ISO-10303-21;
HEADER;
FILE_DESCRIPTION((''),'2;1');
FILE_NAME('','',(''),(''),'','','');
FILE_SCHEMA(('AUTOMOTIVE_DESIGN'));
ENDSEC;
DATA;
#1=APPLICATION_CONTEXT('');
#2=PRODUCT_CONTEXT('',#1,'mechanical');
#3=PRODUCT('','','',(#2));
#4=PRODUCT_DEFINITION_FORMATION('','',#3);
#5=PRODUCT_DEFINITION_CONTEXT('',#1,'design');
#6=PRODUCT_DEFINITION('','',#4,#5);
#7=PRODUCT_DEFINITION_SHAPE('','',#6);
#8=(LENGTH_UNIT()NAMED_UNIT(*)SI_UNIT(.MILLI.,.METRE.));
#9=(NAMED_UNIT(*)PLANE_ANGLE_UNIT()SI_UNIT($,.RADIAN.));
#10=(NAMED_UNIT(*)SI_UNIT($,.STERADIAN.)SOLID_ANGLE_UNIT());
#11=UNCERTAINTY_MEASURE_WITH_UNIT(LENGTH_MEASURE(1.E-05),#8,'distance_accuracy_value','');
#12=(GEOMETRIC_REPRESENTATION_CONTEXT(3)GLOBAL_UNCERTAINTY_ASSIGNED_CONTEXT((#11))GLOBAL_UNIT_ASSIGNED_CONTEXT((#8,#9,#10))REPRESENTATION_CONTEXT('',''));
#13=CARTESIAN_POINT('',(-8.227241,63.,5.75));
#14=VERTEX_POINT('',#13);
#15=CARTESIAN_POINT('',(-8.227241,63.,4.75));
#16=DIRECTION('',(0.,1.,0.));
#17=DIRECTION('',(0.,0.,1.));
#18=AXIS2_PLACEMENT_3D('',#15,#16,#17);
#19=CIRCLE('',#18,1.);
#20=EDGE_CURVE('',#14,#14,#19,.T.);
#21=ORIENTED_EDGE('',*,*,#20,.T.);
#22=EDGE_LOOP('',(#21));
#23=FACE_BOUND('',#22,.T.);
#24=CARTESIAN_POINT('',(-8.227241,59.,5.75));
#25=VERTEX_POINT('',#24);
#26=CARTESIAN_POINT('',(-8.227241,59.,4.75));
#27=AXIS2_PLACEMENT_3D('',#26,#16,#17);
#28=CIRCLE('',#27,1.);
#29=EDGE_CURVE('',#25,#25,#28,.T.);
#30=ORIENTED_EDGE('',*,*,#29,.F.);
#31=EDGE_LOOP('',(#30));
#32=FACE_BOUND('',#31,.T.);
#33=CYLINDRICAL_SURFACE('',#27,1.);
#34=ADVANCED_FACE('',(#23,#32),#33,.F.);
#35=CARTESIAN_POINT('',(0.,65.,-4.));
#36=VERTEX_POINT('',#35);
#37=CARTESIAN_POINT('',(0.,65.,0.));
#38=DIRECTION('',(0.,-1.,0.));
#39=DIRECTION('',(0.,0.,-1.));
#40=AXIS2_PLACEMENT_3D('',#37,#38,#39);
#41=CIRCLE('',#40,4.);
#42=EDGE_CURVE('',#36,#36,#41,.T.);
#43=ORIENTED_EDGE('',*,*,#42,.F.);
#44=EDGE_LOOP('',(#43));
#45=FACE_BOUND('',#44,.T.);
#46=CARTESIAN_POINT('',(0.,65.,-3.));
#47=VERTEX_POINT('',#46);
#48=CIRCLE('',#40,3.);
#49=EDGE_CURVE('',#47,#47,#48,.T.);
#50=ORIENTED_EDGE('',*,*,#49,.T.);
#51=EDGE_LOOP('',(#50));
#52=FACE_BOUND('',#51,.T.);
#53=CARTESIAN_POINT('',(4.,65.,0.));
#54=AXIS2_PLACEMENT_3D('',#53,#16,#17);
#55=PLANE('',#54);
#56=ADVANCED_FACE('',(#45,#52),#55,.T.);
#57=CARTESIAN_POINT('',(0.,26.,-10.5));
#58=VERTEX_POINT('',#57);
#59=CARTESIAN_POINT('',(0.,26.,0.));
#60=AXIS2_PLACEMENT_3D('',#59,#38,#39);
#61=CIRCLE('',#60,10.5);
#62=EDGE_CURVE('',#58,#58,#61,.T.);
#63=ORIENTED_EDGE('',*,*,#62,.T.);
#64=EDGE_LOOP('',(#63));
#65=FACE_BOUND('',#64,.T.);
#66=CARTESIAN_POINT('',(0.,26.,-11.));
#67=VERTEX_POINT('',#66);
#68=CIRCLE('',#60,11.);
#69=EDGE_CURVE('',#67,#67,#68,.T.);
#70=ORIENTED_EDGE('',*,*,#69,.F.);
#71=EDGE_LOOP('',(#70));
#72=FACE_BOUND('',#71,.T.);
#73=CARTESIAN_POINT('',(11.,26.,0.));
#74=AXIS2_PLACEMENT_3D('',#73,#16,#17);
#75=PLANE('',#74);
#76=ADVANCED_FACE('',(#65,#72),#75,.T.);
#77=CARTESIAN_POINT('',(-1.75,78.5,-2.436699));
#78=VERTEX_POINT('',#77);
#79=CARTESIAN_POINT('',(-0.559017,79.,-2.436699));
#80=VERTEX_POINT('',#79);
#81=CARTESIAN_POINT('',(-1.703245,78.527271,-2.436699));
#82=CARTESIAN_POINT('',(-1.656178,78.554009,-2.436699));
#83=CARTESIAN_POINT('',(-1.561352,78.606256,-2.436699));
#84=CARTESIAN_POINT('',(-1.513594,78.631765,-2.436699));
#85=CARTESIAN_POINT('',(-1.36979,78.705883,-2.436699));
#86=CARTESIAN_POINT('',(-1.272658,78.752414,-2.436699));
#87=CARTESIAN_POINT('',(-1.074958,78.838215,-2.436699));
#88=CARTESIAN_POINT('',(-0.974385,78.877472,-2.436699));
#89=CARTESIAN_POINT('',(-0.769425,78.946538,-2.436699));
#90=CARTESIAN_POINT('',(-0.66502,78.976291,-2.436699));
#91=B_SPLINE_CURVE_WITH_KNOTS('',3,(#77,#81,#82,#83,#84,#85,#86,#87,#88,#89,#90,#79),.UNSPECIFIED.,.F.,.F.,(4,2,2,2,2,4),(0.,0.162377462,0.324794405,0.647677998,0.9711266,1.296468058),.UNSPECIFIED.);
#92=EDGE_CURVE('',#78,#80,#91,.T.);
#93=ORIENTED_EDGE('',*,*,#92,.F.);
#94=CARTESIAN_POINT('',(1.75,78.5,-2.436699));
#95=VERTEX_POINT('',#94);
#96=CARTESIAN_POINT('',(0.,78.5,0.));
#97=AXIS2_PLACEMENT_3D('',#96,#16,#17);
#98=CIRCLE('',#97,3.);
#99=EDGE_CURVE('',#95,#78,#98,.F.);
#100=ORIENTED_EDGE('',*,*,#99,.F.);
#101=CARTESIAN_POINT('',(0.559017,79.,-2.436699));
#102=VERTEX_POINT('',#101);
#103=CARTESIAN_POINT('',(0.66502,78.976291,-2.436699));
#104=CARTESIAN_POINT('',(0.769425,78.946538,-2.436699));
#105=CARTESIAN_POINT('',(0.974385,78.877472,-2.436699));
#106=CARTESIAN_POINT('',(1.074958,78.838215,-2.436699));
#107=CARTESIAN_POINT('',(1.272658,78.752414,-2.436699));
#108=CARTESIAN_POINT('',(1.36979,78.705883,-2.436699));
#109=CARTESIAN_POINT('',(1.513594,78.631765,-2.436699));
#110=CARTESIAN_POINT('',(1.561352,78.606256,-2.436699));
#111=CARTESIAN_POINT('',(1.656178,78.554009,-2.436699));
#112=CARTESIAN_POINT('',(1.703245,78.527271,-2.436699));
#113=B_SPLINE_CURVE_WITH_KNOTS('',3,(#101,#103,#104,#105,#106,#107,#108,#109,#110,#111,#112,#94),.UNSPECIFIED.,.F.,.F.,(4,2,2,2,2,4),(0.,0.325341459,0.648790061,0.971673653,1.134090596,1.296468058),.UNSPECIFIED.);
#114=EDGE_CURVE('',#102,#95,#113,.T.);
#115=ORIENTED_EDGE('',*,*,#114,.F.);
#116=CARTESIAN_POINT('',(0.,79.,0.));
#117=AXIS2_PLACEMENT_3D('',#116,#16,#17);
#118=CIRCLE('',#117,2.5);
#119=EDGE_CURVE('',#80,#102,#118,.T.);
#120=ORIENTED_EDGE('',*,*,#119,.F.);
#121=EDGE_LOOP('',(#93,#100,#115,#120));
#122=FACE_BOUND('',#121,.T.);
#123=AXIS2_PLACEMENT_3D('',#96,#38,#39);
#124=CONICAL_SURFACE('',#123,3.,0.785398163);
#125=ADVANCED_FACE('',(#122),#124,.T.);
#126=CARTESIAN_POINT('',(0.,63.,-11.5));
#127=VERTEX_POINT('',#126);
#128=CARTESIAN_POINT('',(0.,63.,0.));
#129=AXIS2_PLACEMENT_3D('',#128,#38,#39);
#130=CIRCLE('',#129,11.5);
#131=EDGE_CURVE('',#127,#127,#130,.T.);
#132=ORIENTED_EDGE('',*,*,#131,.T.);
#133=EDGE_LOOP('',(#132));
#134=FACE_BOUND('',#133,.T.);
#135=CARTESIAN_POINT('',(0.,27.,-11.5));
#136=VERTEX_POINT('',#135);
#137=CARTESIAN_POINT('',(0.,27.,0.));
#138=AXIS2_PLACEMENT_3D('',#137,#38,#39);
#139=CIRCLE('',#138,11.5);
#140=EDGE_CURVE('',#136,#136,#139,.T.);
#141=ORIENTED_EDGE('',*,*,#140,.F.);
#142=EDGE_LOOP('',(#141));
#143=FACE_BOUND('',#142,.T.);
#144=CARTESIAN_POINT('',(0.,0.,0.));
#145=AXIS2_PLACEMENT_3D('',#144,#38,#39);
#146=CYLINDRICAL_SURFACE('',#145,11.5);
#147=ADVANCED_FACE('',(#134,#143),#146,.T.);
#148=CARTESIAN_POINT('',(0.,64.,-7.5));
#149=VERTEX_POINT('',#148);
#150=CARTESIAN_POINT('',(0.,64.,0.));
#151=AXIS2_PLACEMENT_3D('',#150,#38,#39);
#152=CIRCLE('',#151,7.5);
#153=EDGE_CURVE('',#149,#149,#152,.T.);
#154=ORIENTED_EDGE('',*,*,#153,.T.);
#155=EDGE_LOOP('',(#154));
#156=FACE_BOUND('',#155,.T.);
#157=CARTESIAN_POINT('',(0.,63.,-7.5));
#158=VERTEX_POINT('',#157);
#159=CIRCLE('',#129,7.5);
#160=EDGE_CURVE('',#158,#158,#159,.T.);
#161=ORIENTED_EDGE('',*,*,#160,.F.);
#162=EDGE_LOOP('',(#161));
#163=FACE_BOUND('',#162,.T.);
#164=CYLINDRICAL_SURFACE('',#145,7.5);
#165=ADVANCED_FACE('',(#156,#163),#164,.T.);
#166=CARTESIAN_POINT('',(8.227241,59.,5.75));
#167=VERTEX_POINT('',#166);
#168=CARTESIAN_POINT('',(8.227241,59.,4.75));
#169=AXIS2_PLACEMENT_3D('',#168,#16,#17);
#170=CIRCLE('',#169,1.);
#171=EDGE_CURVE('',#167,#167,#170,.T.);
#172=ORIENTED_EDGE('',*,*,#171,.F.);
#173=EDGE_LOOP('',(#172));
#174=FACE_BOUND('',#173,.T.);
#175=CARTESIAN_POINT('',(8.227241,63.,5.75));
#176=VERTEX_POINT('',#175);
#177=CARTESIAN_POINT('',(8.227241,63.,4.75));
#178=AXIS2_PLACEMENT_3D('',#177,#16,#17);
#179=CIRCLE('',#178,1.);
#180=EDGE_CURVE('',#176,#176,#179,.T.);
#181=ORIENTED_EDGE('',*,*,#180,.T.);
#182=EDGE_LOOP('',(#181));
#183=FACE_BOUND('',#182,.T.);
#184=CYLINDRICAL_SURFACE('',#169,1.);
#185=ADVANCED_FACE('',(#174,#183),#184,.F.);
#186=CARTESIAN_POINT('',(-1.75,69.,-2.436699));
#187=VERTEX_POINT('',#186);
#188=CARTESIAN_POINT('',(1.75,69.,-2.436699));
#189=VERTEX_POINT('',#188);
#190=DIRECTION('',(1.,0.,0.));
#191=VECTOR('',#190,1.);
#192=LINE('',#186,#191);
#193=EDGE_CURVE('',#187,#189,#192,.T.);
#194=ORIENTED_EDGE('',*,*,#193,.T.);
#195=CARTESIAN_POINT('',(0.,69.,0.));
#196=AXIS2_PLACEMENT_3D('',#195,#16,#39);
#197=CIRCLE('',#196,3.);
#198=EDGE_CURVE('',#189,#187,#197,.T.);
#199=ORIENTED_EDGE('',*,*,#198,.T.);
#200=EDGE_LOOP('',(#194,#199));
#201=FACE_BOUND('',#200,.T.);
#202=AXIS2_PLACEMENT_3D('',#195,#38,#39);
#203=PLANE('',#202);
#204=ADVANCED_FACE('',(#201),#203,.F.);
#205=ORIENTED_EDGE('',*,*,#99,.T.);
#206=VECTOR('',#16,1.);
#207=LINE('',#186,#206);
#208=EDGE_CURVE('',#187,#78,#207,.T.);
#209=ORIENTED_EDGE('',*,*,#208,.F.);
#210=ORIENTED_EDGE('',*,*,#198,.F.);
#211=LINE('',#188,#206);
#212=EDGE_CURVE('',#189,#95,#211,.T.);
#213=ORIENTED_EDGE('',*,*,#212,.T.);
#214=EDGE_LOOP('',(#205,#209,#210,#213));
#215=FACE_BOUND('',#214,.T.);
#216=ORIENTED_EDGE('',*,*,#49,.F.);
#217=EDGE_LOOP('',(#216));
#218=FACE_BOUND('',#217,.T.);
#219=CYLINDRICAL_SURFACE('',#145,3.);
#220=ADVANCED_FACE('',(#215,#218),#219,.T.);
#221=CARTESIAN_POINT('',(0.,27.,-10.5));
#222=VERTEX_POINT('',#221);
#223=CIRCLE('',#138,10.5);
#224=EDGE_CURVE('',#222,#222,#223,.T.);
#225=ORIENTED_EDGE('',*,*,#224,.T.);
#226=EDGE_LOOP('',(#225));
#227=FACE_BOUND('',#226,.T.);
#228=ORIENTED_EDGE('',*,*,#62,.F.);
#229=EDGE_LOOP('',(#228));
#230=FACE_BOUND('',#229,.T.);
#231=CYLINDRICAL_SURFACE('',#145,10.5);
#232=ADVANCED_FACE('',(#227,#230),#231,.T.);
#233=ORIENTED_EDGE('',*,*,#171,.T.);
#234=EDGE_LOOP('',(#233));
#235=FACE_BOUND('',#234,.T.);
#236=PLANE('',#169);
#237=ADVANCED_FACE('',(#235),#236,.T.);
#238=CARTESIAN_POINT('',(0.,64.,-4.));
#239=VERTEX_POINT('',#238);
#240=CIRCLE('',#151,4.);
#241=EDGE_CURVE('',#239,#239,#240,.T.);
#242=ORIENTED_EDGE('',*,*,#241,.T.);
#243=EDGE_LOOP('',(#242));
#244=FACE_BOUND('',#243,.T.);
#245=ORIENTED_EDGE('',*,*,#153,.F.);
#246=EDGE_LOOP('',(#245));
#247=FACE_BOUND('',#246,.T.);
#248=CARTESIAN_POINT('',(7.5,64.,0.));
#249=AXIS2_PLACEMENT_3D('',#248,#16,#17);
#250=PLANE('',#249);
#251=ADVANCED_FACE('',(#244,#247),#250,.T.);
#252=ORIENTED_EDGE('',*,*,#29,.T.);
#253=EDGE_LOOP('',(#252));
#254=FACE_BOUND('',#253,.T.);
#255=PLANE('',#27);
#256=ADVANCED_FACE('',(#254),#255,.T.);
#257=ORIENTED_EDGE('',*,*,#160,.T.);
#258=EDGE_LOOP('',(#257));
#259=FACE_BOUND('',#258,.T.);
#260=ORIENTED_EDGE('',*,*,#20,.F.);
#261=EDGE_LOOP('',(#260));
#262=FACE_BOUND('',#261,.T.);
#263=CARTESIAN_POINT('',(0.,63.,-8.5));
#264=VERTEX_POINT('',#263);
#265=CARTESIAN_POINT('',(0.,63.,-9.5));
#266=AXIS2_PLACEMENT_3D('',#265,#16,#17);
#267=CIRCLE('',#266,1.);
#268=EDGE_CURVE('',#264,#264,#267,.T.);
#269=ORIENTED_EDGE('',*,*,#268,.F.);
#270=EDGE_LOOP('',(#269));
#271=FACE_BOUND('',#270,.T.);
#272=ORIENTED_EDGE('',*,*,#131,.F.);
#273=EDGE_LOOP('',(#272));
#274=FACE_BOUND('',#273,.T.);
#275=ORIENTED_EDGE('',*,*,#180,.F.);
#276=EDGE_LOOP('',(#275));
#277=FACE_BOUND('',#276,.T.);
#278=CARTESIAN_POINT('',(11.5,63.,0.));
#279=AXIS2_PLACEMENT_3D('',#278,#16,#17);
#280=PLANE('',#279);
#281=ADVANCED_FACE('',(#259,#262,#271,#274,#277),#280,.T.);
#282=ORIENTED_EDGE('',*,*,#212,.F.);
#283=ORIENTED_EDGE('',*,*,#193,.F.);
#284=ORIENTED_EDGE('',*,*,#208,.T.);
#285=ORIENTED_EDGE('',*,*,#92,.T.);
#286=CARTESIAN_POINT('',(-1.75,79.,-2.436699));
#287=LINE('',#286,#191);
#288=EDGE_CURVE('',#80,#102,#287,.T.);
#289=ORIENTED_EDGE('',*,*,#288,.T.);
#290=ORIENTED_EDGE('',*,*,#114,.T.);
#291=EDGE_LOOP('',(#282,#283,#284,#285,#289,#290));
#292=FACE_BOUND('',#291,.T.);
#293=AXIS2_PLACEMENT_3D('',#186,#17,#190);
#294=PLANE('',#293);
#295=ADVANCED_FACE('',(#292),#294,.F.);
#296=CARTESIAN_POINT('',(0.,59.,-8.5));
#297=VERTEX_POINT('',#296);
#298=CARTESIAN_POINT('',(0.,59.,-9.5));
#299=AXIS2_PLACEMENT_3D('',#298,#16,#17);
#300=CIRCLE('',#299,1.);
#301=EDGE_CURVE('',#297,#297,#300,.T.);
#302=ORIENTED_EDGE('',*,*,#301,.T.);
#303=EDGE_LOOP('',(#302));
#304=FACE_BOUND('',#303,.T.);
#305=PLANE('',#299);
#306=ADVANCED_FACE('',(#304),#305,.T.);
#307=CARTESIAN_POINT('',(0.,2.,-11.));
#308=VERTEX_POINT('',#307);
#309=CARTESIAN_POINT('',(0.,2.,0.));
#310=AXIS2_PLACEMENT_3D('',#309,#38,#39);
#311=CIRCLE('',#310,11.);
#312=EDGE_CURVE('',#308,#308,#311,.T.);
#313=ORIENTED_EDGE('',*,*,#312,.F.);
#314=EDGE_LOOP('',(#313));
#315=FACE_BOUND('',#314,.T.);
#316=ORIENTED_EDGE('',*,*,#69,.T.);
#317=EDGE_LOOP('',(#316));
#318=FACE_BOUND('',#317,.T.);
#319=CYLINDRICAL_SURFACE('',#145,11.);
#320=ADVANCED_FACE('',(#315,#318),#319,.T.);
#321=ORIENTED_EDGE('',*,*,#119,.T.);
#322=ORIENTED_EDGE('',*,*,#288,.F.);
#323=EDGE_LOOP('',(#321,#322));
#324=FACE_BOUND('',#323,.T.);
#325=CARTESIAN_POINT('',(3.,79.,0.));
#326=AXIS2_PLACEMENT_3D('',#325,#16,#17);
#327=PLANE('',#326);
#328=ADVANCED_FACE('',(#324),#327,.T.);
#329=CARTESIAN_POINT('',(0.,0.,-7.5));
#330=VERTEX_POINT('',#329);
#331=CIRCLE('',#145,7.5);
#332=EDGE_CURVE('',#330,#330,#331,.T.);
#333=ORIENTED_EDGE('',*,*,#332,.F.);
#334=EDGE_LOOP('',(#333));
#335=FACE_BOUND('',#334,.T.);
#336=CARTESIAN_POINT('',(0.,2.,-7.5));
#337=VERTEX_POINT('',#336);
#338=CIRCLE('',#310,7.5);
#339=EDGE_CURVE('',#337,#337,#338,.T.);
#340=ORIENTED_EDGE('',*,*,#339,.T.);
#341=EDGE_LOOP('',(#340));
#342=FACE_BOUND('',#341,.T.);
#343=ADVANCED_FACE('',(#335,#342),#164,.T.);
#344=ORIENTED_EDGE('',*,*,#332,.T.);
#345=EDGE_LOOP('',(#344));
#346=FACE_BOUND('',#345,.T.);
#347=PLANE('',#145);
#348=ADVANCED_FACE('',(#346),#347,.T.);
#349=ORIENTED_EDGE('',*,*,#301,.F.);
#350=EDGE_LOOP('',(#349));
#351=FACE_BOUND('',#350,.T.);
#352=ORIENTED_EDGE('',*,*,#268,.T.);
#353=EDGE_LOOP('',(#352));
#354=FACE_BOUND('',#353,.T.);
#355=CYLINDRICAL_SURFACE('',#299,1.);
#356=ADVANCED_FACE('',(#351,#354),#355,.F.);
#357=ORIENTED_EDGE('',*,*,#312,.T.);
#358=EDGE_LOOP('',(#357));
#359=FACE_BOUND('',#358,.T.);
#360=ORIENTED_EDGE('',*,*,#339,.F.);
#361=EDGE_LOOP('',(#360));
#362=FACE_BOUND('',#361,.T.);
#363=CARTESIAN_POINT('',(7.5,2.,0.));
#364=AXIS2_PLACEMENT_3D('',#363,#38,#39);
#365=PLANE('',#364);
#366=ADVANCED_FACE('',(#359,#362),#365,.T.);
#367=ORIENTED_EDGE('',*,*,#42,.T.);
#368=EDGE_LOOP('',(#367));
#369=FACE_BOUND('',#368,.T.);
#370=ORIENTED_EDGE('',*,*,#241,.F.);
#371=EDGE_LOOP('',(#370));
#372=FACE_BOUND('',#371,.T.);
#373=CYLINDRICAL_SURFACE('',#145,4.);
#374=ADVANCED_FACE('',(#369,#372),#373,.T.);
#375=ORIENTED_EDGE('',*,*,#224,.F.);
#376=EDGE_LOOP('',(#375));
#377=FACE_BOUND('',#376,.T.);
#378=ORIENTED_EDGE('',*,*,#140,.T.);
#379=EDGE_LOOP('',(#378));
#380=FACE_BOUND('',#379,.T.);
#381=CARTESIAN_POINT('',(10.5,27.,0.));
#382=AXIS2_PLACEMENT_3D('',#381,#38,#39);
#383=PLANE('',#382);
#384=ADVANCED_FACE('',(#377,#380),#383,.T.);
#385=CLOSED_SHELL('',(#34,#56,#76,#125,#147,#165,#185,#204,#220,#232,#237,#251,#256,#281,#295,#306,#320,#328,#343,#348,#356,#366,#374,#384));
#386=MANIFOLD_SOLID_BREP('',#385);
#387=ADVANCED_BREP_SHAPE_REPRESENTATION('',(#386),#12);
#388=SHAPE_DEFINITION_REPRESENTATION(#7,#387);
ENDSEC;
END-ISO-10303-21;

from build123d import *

# Parameters (mm, degrees)
ENL_V_MAT_EXTRU_2_DEPTH = 10
CHANFREIN1_SIZE         = 0.5
ESQUISSE3_R             = 1
ENL_V_MAT_EXTRU_3_DEPTH = 4


with BuildPart() as part:
    # Esquisse1 → Révolution1 (revolve)
    with BuildSketch(Plane.XY, mode=Mode.PRIVATE) as r_volution1_sk:
        Polygon((0, 0), (7.5, 0), (7.5, 2), (11, 2), (11, 26), (10.5, 26), (10.5, 27), (11.5, 27), (11.5, 63), (7.5, 63), (7.5, 64), (4, 64), (4, 65), (3, 65), (3, 79), (0, 79), align=None)
    revolve(r_volution1_sk.sketch.rotate(Axis((0, 0, 0), (0, 1, 0)), 90), axis=Axis((0, 0, 0), (0, 1, 0)))

    # Esquisse2 → Enlèv. mat.-Extru.2 (cut)
    with BuildSketch(Plane(origin=(0, 79, 0), x_dir=(1, 0, 0), z_dir=(0, 1, 0))):
        with BuildLine():
            Line((-1.75, 2.436698586), (1.75, 2.436698586))
            ThreePointArc((1.75, 2.436698586), (0, 3), (-1.75, 2.436698586))
        make_face()
    extrude(amount=-ENL_V_MAT_EXTRU_2_DEPTH, mode=Mode.SUBTRACT)

    # Chanfrein1
    chanfrein1_edges = [part.edges().sort_by_distance(p)[0] for p in [
        (0, 79, 3),
    ]]
    chamfer(chanfrein1_edges, length=CHANFREIN1_SIZE)

    # Esquisse3 → Enlèv. mat.-Extru.3 (cut)
    with BuildSketch(Plane(origin=(0, 63, 0), x_dir=(1, 0, 0), z_dir=(0, 1, 0))):
        with Locations(Location((0, 9.5, 0), (0, 0, 270))):
            Circle(ESQUISSE3_R)
        with Locations(Location((8.227241336, -4.75, 0), (0, 0, 270))):
            Circle(ESQUISSE3_R)
        with Locations(Location((-8.227241336, -4.75, 0), (0, 0, 270))):
            Circle(ESQUISSE3_R)
    extrude(amount=-ENL_V_MAT_EXTRU_3_DEPTH, mode=Mode.SUBTRACT)


solid = part.part
